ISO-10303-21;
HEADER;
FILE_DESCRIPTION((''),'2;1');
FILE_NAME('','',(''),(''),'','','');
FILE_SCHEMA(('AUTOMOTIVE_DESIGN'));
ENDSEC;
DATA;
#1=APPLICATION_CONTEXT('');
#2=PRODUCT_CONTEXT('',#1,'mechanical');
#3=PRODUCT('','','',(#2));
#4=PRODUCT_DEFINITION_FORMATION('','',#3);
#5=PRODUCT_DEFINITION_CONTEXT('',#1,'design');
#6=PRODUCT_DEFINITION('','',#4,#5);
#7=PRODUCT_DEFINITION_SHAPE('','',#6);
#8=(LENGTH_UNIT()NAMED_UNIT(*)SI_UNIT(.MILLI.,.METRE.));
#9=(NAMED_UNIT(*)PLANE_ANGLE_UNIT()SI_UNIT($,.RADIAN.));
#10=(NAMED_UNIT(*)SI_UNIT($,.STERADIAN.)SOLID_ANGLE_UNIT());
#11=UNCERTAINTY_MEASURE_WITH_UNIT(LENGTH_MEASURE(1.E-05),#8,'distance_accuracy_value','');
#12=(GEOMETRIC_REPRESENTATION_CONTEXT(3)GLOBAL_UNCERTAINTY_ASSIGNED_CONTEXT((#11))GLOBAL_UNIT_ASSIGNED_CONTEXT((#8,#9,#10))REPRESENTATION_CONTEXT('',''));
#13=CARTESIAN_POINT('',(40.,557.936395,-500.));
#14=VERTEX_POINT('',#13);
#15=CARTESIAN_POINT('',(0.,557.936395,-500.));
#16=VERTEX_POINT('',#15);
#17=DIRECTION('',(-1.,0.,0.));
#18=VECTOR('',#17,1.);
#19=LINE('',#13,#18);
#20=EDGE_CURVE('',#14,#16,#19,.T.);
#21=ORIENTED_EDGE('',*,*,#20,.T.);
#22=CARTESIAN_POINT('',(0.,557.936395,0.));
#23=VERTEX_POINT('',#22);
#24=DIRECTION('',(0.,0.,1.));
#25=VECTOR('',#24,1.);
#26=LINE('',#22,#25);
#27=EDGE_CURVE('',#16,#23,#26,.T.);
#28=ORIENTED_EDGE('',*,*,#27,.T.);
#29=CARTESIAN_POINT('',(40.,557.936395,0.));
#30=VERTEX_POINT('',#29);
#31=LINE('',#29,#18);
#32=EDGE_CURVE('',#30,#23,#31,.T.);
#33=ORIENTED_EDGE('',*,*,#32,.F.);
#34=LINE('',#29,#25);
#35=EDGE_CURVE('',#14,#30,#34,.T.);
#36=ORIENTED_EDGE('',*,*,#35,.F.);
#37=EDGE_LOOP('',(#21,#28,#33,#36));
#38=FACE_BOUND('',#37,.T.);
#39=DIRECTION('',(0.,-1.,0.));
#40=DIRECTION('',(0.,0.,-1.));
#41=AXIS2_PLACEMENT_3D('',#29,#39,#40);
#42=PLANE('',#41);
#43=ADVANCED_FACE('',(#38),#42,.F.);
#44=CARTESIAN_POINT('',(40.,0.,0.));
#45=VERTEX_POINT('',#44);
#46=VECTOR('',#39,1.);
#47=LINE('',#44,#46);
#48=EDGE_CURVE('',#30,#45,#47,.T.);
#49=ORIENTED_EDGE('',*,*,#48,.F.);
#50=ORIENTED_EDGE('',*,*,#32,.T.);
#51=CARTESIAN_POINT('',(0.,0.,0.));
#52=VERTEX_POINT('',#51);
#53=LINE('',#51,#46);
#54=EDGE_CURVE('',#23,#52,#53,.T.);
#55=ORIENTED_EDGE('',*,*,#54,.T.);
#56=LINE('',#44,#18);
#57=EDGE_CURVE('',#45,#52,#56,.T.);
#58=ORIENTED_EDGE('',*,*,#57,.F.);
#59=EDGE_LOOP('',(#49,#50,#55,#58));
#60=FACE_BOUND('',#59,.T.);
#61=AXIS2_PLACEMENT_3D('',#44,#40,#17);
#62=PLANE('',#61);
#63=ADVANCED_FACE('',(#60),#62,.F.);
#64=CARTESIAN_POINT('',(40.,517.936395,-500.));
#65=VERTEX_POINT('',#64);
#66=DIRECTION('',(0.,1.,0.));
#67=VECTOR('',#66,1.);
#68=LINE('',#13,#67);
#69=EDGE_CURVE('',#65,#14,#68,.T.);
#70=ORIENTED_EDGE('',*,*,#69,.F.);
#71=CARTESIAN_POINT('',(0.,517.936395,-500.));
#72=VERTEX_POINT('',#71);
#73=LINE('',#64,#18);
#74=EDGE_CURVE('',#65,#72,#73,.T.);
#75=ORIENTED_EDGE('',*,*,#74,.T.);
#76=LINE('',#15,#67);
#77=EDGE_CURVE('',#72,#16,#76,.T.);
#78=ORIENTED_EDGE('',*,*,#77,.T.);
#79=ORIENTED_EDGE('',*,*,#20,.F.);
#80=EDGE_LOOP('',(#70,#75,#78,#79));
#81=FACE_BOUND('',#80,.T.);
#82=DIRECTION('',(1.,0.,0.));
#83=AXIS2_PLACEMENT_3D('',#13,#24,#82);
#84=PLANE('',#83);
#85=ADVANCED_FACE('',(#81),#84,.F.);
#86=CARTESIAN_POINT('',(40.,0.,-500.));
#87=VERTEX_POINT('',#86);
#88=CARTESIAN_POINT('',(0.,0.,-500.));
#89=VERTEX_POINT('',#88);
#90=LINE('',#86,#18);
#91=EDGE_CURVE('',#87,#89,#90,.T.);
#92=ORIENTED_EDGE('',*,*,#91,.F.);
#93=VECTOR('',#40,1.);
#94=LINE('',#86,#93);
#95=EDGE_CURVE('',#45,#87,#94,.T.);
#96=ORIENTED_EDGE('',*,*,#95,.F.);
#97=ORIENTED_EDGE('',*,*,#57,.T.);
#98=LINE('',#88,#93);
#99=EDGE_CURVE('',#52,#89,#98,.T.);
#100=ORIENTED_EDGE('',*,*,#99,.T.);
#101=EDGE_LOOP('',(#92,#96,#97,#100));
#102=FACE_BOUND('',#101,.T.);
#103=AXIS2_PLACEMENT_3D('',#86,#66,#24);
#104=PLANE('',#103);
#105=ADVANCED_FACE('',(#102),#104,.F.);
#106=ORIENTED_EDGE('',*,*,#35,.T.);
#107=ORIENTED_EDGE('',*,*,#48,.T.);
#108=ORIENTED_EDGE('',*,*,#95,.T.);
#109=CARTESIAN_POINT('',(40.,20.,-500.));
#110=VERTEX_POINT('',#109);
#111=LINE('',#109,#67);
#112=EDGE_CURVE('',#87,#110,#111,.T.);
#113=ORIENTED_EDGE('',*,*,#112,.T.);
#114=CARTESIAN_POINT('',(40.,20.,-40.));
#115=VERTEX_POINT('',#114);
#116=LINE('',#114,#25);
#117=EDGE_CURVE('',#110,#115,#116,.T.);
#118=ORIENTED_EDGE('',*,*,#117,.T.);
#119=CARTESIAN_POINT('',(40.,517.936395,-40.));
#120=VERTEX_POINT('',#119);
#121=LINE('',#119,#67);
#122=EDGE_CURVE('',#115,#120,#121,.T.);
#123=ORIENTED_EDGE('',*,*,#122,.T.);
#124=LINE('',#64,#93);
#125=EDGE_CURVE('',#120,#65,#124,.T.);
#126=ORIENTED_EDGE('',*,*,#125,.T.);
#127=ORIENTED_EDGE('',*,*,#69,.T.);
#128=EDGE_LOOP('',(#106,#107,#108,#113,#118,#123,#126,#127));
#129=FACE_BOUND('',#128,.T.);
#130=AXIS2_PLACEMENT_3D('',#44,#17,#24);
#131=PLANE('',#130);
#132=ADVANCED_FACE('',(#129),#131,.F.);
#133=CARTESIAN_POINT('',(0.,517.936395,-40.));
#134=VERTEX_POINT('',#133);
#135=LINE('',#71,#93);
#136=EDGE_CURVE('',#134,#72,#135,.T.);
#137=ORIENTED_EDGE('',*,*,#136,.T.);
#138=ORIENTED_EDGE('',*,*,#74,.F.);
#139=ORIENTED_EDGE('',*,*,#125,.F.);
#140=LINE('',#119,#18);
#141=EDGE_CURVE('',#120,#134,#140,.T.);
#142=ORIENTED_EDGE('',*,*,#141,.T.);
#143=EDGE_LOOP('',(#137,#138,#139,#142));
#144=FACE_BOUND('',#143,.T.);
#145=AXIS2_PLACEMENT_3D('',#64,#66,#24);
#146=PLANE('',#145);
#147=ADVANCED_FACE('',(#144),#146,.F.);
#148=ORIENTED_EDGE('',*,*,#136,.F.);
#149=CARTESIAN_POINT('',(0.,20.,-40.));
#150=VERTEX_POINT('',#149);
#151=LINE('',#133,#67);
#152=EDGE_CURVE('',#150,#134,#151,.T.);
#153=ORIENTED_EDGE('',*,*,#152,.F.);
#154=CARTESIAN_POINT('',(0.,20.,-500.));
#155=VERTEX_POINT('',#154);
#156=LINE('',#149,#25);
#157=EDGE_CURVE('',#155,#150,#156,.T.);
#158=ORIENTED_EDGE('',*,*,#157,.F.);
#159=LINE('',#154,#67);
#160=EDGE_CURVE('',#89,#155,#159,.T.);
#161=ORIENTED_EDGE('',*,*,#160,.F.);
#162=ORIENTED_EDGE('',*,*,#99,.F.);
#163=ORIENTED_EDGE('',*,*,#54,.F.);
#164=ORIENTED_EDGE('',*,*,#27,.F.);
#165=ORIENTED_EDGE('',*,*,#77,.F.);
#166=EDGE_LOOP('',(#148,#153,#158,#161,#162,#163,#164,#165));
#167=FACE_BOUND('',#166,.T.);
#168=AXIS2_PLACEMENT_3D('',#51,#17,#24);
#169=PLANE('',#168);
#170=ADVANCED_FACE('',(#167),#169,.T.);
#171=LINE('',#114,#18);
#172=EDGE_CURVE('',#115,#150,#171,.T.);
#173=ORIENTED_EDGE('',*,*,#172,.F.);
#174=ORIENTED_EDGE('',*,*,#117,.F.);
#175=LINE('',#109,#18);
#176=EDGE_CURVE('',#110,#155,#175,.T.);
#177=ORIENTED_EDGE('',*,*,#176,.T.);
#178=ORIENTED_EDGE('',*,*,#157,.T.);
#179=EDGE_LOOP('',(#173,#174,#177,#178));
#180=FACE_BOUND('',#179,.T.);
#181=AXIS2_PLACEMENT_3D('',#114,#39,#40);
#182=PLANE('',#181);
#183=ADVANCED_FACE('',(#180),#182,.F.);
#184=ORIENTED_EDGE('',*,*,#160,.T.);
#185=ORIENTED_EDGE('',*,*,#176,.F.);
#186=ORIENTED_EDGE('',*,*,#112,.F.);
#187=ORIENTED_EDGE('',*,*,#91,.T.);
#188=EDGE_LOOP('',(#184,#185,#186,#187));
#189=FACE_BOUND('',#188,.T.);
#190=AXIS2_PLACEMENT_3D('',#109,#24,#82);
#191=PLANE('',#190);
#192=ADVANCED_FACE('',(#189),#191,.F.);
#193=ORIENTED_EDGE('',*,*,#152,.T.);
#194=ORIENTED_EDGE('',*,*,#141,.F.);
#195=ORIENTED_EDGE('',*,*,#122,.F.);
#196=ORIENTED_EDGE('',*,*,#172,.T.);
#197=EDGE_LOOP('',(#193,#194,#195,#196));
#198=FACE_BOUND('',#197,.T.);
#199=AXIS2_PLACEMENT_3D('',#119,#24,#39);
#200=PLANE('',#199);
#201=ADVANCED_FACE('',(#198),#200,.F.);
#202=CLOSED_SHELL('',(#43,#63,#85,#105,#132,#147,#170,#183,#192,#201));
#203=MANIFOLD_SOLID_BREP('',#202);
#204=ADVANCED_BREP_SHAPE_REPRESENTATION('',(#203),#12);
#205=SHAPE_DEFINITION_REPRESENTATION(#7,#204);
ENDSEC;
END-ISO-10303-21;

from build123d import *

# Parameters (mm, degrees)
BOSS_EXTRUDE1_DEPTH = 40


with BuildPart() as part:
    # Sketch1 → Boss-Extrude1 (new body)
    with BuildSketch(Plane(origin=(0, 0, 0), x_dir=(0, 0, -1), z_dir=(1, 0, 0))):
        Polygon((0, 0), (0, 557.936394635), (500, 557.936394635), (500, 517.936394635), (40, 517.936394635), (40, 20), (500, 20), (500, 0), align=None)
    extrude(amount=BOSS_EXTRUDE1_DEPTH)


solid = part.part
